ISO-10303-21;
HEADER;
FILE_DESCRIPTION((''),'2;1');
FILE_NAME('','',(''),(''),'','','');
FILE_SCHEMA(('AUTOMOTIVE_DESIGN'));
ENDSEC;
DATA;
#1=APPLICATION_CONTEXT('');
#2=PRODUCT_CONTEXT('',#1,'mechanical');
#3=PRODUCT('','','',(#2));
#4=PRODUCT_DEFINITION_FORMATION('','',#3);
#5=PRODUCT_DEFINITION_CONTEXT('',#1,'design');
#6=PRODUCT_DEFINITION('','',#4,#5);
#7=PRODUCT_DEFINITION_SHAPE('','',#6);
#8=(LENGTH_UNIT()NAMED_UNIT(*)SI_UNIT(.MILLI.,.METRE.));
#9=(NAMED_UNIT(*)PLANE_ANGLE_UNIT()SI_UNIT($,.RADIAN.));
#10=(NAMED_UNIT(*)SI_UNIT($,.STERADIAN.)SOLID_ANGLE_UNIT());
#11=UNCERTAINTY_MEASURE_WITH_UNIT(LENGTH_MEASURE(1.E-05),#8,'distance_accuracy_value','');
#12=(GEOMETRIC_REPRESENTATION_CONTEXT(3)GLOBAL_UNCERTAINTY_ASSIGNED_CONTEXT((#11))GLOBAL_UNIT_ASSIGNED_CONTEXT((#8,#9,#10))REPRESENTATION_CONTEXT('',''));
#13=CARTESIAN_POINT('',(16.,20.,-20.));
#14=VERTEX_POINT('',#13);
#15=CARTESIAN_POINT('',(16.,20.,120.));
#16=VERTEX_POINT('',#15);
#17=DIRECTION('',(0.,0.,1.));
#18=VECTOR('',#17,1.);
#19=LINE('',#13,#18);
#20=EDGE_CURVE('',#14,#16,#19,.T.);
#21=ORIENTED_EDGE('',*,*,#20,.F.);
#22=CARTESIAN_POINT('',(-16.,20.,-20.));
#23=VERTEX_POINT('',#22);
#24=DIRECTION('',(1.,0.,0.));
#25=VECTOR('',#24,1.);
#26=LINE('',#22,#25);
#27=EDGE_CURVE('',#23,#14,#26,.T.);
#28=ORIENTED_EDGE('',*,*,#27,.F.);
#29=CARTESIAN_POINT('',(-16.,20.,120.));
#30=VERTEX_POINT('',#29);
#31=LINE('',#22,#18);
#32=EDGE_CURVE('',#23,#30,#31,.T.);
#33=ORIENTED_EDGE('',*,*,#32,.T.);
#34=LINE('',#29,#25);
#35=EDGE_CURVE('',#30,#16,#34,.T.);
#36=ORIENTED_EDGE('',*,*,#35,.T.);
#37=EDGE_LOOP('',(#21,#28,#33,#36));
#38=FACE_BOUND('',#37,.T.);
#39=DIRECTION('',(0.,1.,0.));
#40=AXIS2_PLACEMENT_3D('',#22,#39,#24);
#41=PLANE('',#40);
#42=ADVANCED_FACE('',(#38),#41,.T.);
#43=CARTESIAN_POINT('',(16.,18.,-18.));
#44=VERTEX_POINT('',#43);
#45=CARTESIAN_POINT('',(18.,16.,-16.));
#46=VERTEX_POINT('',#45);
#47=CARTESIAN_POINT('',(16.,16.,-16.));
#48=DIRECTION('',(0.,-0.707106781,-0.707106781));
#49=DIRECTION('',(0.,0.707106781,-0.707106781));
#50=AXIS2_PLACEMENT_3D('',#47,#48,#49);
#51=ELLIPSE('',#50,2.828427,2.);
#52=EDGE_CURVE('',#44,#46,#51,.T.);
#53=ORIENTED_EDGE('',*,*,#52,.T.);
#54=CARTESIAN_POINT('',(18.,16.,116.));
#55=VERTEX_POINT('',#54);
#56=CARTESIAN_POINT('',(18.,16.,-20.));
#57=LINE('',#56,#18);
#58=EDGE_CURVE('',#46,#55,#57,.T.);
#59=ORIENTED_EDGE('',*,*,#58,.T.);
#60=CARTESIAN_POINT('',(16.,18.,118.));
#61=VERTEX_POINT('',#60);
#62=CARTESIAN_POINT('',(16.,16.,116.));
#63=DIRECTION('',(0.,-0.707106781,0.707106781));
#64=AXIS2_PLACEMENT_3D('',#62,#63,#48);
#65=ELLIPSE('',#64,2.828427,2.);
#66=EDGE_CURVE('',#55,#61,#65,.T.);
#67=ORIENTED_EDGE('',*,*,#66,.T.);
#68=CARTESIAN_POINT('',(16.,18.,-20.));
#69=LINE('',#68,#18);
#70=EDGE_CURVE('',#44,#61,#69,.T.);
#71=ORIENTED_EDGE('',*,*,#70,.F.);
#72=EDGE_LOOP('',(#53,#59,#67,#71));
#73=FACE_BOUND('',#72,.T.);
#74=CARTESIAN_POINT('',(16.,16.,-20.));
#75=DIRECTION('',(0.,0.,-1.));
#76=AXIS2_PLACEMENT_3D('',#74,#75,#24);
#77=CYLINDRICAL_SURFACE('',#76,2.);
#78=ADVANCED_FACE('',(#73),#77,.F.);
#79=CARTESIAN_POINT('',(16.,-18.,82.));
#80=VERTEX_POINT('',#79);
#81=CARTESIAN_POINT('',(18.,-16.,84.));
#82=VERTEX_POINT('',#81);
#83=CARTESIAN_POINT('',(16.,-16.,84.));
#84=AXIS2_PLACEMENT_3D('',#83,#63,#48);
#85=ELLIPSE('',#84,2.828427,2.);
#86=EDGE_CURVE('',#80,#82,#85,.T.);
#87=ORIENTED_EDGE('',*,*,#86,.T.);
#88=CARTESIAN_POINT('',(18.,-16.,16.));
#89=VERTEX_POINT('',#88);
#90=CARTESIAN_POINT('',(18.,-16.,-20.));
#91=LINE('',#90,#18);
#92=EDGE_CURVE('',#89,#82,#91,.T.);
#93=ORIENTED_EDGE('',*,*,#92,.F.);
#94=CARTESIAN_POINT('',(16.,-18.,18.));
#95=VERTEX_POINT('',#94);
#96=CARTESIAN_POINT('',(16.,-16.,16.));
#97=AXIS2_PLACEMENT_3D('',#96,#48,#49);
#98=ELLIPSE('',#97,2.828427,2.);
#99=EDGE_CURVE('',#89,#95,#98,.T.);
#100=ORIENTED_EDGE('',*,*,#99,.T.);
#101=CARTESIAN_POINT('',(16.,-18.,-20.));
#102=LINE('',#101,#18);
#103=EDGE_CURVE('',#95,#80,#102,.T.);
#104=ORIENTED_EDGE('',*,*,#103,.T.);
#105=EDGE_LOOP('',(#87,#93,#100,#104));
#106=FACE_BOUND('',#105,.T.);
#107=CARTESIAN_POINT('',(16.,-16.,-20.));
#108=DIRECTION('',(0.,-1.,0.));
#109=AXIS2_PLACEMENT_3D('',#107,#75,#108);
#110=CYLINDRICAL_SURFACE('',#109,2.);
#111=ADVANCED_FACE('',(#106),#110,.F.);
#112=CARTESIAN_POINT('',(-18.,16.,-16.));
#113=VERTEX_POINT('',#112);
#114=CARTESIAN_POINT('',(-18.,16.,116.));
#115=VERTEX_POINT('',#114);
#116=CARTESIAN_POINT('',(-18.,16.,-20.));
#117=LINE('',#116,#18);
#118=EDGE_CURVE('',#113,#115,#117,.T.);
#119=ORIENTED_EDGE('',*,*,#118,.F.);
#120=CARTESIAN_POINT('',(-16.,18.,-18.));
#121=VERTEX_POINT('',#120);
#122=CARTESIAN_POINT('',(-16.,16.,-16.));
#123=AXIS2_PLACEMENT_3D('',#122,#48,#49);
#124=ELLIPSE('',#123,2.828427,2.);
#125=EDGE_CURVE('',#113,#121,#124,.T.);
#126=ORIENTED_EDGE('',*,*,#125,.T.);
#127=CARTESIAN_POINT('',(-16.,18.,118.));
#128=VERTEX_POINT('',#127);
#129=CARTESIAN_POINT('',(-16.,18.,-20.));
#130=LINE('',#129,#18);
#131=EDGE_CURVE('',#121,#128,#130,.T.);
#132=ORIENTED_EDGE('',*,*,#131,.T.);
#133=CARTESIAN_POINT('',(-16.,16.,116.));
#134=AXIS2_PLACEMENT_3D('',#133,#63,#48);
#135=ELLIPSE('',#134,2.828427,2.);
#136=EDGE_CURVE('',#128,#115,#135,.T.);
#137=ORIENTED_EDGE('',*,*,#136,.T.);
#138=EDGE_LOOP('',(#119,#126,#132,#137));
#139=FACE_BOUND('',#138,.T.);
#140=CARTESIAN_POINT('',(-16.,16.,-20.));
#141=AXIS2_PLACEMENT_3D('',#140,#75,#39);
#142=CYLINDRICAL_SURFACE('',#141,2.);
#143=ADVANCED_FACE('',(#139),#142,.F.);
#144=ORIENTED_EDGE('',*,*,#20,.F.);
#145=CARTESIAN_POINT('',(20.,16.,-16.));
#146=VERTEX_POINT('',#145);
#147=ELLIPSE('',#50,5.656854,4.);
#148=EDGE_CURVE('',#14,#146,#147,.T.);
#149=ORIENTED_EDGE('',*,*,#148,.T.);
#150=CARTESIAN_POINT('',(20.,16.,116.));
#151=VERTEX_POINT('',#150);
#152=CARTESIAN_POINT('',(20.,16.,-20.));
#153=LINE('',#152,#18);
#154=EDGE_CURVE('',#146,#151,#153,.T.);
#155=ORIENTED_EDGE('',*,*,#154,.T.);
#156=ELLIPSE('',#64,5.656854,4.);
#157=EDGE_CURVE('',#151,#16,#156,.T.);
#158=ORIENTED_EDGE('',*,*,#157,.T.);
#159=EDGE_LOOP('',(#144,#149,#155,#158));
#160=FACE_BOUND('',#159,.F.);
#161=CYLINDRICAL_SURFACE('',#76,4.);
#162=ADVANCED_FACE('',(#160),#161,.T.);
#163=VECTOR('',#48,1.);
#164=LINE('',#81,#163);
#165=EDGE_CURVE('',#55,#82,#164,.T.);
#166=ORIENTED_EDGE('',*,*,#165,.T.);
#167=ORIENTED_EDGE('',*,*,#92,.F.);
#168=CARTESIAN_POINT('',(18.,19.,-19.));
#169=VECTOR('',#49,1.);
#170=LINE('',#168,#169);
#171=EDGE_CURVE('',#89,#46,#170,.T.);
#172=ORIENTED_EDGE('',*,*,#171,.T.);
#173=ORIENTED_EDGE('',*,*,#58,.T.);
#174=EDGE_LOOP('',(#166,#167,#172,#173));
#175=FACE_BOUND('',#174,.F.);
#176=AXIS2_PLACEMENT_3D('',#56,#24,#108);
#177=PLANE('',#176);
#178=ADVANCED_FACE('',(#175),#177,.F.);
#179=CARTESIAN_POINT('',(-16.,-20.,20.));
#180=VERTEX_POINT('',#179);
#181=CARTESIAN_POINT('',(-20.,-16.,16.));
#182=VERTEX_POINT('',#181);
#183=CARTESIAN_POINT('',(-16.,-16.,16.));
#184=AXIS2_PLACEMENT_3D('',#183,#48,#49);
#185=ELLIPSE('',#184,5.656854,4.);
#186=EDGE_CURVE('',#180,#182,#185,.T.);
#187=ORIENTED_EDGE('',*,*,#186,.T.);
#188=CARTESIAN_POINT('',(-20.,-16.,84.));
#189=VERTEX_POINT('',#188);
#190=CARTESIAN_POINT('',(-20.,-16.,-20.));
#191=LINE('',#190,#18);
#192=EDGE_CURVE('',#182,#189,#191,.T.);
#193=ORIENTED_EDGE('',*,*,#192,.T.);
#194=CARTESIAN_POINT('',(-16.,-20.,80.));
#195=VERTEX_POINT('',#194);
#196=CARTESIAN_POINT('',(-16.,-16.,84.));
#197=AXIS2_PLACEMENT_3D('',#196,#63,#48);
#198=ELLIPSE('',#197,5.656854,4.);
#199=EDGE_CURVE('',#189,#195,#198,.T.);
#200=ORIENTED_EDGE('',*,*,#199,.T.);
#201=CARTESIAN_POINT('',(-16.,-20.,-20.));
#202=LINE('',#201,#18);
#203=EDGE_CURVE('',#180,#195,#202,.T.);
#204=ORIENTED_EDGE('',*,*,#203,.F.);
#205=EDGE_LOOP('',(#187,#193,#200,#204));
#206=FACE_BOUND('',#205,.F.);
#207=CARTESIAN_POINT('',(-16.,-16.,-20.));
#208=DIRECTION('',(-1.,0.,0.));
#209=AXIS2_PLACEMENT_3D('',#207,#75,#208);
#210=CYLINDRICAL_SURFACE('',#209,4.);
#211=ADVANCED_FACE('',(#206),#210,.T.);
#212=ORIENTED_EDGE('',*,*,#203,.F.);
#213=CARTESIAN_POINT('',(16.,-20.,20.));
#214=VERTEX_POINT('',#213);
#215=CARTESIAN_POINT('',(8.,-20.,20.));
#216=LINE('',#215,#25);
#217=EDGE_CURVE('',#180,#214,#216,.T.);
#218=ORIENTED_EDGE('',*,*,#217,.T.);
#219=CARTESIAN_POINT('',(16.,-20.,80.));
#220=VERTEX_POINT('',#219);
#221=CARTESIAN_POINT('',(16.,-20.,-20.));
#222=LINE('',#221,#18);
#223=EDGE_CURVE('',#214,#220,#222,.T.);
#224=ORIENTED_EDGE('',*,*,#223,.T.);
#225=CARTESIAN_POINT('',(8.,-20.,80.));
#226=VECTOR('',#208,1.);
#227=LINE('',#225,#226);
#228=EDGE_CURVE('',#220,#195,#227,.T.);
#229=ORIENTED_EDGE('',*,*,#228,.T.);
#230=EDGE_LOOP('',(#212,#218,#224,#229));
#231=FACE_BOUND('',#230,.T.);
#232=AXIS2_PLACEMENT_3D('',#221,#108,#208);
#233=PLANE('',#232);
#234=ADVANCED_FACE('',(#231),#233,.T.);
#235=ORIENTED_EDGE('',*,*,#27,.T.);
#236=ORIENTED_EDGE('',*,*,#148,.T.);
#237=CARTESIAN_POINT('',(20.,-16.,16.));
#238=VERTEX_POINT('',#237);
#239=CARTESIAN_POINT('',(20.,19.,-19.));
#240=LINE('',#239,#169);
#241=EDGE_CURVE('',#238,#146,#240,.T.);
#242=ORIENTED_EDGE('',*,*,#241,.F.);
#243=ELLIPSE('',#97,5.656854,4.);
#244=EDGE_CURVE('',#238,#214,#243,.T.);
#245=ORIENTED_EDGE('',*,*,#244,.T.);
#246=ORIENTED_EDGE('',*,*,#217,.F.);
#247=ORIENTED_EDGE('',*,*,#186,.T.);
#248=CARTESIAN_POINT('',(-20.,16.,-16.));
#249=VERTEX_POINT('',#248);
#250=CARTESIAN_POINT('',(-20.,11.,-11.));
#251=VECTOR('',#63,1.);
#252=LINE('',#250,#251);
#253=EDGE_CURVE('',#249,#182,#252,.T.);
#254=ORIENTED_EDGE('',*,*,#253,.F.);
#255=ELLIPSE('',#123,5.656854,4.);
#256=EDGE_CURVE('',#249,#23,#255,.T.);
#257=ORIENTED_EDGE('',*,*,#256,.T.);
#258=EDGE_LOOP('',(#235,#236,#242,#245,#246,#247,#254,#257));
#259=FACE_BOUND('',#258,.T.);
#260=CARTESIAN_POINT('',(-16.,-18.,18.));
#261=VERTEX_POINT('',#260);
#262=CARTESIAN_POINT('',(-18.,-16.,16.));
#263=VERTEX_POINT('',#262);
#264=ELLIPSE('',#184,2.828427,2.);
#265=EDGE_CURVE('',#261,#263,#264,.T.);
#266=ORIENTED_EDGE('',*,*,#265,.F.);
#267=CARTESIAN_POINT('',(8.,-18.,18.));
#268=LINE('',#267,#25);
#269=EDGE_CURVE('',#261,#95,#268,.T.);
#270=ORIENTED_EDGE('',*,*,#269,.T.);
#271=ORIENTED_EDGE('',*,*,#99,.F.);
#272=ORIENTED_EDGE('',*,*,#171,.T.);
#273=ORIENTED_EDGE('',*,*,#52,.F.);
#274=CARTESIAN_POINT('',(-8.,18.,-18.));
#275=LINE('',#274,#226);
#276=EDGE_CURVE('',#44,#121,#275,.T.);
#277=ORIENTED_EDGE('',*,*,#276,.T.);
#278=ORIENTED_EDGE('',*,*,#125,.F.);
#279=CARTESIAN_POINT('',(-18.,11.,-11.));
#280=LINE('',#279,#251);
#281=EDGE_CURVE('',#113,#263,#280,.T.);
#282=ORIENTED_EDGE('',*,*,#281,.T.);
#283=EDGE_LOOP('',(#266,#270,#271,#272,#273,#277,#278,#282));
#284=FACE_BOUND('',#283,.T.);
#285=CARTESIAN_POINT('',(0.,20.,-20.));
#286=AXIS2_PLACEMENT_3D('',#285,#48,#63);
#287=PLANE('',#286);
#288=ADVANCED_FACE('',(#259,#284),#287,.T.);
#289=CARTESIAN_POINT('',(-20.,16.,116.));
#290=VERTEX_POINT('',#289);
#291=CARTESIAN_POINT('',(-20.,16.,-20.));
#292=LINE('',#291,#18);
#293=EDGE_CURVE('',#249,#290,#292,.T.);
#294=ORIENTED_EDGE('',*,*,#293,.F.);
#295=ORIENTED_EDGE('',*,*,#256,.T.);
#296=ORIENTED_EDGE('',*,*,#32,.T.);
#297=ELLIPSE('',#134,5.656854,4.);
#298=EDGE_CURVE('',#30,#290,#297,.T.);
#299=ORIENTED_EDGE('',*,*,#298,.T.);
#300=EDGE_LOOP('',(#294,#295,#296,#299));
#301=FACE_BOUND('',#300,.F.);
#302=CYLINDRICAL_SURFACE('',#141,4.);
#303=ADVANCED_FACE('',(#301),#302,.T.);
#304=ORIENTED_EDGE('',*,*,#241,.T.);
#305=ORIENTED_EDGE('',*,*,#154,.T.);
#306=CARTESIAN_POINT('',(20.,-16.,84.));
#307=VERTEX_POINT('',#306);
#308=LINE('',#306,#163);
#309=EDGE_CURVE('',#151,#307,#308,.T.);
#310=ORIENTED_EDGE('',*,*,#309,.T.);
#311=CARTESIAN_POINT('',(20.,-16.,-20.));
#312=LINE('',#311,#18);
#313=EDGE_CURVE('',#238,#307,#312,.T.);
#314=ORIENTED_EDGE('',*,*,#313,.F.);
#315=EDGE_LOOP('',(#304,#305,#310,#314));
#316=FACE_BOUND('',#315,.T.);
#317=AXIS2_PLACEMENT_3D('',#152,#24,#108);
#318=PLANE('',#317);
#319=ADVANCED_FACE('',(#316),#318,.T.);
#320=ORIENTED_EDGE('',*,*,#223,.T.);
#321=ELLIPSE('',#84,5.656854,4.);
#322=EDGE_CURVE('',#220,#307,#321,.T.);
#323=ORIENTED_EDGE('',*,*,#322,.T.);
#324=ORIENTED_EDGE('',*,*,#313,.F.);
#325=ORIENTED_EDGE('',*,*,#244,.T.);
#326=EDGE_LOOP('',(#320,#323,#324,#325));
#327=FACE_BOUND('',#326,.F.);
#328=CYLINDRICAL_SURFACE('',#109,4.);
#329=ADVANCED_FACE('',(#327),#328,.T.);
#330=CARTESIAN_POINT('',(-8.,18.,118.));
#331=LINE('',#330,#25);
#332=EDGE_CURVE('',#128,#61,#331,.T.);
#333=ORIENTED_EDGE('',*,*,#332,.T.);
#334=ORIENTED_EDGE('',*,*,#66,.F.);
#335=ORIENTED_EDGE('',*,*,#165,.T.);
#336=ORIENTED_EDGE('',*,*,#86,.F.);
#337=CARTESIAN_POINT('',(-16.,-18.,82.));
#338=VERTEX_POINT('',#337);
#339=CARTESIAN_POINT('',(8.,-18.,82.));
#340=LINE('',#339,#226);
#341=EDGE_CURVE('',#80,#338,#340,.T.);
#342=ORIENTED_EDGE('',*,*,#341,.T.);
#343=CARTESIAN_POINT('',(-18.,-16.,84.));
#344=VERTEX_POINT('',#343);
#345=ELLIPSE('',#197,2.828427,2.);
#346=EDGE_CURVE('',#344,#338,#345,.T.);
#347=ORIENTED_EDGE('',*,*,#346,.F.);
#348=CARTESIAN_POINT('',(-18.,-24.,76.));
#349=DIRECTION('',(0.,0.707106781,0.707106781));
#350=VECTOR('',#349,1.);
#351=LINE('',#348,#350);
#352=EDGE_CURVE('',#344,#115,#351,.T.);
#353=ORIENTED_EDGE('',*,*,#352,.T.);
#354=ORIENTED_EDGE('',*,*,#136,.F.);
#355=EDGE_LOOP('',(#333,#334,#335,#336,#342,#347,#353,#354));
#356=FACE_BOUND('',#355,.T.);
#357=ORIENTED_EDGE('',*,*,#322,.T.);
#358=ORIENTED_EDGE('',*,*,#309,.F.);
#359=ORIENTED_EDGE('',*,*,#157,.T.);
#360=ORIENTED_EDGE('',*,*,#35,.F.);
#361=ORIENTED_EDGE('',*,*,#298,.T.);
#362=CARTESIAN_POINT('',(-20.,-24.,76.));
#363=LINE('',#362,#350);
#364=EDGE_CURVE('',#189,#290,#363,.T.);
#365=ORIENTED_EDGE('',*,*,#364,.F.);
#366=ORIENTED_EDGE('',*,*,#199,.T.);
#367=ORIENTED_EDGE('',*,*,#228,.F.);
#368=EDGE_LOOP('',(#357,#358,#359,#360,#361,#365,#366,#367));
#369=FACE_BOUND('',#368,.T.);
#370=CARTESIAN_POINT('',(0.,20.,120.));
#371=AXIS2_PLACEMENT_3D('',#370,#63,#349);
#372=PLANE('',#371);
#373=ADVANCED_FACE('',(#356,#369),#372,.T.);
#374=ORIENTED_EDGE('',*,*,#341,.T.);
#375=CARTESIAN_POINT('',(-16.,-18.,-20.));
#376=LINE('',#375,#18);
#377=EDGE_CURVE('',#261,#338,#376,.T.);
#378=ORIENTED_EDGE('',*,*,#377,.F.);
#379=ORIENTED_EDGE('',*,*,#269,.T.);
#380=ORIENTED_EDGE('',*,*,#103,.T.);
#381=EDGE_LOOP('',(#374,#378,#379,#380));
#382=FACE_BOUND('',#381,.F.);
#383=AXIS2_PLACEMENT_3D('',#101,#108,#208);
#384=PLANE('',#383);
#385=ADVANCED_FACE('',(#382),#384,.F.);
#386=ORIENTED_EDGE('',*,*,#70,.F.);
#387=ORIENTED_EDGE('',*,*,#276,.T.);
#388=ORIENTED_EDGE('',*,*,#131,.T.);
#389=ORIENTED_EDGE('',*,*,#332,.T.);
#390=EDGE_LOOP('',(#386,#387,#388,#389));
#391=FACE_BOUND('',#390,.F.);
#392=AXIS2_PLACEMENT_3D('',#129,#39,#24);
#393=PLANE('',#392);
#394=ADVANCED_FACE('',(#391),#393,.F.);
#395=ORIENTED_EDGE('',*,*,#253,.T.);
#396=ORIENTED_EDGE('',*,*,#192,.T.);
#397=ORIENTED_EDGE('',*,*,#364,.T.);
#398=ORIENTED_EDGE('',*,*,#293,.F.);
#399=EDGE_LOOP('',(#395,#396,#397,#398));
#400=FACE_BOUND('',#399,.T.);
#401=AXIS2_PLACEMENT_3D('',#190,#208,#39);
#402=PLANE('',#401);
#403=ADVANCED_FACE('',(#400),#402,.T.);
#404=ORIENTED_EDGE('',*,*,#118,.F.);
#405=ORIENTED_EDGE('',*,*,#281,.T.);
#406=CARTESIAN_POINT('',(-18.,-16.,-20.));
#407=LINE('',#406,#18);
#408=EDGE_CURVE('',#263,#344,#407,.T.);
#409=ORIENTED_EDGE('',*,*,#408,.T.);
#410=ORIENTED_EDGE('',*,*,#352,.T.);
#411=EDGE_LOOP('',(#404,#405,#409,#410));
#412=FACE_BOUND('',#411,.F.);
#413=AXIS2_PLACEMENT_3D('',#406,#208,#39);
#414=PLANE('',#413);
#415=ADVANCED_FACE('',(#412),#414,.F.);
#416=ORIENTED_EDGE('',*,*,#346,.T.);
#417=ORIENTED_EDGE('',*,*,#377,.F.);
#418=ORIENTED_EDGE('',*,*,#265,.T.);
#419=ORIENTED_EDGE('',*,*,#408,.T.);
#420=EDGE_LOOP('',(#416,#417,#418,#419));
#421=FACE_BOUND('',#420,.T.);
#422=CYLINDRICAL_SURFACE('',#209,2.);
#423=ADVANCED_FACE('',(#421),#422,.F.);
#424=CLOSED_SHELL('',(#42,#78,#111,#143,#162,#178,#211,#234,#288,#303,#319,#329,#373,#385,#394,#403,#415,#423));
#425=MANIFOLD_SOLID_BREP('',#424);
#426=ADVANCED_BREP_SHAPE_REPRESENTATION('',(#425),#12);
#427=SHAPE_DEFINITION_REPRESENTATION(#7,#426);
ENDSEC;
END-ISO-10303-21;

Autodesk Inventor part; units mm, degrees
ref_plane "Start plane" through (0, 0, -20) normal (0, 0, 1) x (1, 0, 0)
ref_plane "End plane" through (0, 0, 120) normal (0, 0, 1) x (1, 0, 0)
sketch "Sketch" plane through (0, 0, 0) normal (0, 0, 1) x (1, 0, 0)
  line L0 (-20, -16) -> (-20, 16)
  line L1 (-16, 20) -> (16, 20)
  line L2 (20, 16) -> (20, -16)
  line L3 (16, -20) -> (-16, -20)
  arc A0 (-20, -16) -> (-16, -20) centre (-16, -16) ccw
  arc A1 (20, 16) -> (16, 20) centre (16, 16) ccw
  arc A2 (-16, 20) -> (-20, 16) centre (-16, 16) ccw
  arc A3 (16, -20) -> (20, -16) centre (16, -16) ccw
  arc A4 (-16, 18) -> (-18, 16) centre (-16, 16) ccw
  line L4 (-16, 18) -> (16, 18)
  arc A5 (18, 16) -> (16, 18) centre (16, 16) ccw
  line L5 (18, 16) -> (18, -16)
  arc A6 (16, -18) -> (18, -16) centre (16, -16) ccw
  line L6 (16, -18) -> (-16, -18)
  arc A7 (-18, -16) -> (-16, -18) centre (-16, -16) ccw
  line L7 (-18, -16) -> (-18, 16)
  line L8 (0, 29.1598) -> (0, -29.1598) construction
  line L9 (-29.1598, 0) -> (29.1598, 0) construction
  dimension "d7" = 4
  dimension "d9" = 40
  dimension "d11" = 40
  dimension "d12" = 2
  dimension "d15" = 20
  dimension "d16" = 20
extrude "Body" add sketch "Sketch" along normal up to surface (140 mm away) from surface at -20
sketch "Sketch3" plane through (0, 0, 0) normal (0, 0, 1) x (1, 0, 0)
  line L0 (0, 0) -> (10, 0)
ref_plane "Work Plane3" through (0, 0, 0) normal (0, -1, 0) x (1, 0, 0)
sketch "Sketch4" plane through (0, 0, 0) normal (0, -1, 0) x (1, 0, 0)
  line L0 (-2, -20) -> (12, -20)
  line L1 (-2, 120) -> (12, 120)
  dimension "d18" = 140
ref_plane "Work Plane4" through (0, 20, -20) normal (0, -0.7071, -0.7071) x (1, 0, 0)
split "Split1" plane through (0, 20, -20) removes the side toward (0, -0.7071, -0.7071)
ref_plane "Work Plane5" through (0, 20, 120) normal (0, -0.7071, 0.7071) x (1, 0, 0)
split "Split2" plane through (0, 20, 120) removes the side toward (0, -0.7071, 0.7071)
equation "\"d7\" = G_IR"
equation "\"d9\" = G_W"
equation "\"d11\" = G_H"
equation "\"d12\" = G_T"
equation "\"d15\" = 0.5 * d9"
equation "\"d16\" = 0.5 * d11"
equation "\"d3\" = G_L"
equation "\"G_W\" = 40"
equation "\"G_H\" = 40"
equation "\"G_T\" = 2"
equation "\"G_IR\" = 4"
equation "\"G_L\" = d18"
equation "\"G_OFFSET_START\" = 20"
equation "\"G_OFFSET_END\" = 20"
equation "\"d13\" = -G_OFFSET_START"
equation "\"d14\" = G_OFFSET_END + B_L"
equation "\"B_L\" = 100"
properties part number "ISO 4019 - 40x40x2 - 140" material "Steel, Mild"
